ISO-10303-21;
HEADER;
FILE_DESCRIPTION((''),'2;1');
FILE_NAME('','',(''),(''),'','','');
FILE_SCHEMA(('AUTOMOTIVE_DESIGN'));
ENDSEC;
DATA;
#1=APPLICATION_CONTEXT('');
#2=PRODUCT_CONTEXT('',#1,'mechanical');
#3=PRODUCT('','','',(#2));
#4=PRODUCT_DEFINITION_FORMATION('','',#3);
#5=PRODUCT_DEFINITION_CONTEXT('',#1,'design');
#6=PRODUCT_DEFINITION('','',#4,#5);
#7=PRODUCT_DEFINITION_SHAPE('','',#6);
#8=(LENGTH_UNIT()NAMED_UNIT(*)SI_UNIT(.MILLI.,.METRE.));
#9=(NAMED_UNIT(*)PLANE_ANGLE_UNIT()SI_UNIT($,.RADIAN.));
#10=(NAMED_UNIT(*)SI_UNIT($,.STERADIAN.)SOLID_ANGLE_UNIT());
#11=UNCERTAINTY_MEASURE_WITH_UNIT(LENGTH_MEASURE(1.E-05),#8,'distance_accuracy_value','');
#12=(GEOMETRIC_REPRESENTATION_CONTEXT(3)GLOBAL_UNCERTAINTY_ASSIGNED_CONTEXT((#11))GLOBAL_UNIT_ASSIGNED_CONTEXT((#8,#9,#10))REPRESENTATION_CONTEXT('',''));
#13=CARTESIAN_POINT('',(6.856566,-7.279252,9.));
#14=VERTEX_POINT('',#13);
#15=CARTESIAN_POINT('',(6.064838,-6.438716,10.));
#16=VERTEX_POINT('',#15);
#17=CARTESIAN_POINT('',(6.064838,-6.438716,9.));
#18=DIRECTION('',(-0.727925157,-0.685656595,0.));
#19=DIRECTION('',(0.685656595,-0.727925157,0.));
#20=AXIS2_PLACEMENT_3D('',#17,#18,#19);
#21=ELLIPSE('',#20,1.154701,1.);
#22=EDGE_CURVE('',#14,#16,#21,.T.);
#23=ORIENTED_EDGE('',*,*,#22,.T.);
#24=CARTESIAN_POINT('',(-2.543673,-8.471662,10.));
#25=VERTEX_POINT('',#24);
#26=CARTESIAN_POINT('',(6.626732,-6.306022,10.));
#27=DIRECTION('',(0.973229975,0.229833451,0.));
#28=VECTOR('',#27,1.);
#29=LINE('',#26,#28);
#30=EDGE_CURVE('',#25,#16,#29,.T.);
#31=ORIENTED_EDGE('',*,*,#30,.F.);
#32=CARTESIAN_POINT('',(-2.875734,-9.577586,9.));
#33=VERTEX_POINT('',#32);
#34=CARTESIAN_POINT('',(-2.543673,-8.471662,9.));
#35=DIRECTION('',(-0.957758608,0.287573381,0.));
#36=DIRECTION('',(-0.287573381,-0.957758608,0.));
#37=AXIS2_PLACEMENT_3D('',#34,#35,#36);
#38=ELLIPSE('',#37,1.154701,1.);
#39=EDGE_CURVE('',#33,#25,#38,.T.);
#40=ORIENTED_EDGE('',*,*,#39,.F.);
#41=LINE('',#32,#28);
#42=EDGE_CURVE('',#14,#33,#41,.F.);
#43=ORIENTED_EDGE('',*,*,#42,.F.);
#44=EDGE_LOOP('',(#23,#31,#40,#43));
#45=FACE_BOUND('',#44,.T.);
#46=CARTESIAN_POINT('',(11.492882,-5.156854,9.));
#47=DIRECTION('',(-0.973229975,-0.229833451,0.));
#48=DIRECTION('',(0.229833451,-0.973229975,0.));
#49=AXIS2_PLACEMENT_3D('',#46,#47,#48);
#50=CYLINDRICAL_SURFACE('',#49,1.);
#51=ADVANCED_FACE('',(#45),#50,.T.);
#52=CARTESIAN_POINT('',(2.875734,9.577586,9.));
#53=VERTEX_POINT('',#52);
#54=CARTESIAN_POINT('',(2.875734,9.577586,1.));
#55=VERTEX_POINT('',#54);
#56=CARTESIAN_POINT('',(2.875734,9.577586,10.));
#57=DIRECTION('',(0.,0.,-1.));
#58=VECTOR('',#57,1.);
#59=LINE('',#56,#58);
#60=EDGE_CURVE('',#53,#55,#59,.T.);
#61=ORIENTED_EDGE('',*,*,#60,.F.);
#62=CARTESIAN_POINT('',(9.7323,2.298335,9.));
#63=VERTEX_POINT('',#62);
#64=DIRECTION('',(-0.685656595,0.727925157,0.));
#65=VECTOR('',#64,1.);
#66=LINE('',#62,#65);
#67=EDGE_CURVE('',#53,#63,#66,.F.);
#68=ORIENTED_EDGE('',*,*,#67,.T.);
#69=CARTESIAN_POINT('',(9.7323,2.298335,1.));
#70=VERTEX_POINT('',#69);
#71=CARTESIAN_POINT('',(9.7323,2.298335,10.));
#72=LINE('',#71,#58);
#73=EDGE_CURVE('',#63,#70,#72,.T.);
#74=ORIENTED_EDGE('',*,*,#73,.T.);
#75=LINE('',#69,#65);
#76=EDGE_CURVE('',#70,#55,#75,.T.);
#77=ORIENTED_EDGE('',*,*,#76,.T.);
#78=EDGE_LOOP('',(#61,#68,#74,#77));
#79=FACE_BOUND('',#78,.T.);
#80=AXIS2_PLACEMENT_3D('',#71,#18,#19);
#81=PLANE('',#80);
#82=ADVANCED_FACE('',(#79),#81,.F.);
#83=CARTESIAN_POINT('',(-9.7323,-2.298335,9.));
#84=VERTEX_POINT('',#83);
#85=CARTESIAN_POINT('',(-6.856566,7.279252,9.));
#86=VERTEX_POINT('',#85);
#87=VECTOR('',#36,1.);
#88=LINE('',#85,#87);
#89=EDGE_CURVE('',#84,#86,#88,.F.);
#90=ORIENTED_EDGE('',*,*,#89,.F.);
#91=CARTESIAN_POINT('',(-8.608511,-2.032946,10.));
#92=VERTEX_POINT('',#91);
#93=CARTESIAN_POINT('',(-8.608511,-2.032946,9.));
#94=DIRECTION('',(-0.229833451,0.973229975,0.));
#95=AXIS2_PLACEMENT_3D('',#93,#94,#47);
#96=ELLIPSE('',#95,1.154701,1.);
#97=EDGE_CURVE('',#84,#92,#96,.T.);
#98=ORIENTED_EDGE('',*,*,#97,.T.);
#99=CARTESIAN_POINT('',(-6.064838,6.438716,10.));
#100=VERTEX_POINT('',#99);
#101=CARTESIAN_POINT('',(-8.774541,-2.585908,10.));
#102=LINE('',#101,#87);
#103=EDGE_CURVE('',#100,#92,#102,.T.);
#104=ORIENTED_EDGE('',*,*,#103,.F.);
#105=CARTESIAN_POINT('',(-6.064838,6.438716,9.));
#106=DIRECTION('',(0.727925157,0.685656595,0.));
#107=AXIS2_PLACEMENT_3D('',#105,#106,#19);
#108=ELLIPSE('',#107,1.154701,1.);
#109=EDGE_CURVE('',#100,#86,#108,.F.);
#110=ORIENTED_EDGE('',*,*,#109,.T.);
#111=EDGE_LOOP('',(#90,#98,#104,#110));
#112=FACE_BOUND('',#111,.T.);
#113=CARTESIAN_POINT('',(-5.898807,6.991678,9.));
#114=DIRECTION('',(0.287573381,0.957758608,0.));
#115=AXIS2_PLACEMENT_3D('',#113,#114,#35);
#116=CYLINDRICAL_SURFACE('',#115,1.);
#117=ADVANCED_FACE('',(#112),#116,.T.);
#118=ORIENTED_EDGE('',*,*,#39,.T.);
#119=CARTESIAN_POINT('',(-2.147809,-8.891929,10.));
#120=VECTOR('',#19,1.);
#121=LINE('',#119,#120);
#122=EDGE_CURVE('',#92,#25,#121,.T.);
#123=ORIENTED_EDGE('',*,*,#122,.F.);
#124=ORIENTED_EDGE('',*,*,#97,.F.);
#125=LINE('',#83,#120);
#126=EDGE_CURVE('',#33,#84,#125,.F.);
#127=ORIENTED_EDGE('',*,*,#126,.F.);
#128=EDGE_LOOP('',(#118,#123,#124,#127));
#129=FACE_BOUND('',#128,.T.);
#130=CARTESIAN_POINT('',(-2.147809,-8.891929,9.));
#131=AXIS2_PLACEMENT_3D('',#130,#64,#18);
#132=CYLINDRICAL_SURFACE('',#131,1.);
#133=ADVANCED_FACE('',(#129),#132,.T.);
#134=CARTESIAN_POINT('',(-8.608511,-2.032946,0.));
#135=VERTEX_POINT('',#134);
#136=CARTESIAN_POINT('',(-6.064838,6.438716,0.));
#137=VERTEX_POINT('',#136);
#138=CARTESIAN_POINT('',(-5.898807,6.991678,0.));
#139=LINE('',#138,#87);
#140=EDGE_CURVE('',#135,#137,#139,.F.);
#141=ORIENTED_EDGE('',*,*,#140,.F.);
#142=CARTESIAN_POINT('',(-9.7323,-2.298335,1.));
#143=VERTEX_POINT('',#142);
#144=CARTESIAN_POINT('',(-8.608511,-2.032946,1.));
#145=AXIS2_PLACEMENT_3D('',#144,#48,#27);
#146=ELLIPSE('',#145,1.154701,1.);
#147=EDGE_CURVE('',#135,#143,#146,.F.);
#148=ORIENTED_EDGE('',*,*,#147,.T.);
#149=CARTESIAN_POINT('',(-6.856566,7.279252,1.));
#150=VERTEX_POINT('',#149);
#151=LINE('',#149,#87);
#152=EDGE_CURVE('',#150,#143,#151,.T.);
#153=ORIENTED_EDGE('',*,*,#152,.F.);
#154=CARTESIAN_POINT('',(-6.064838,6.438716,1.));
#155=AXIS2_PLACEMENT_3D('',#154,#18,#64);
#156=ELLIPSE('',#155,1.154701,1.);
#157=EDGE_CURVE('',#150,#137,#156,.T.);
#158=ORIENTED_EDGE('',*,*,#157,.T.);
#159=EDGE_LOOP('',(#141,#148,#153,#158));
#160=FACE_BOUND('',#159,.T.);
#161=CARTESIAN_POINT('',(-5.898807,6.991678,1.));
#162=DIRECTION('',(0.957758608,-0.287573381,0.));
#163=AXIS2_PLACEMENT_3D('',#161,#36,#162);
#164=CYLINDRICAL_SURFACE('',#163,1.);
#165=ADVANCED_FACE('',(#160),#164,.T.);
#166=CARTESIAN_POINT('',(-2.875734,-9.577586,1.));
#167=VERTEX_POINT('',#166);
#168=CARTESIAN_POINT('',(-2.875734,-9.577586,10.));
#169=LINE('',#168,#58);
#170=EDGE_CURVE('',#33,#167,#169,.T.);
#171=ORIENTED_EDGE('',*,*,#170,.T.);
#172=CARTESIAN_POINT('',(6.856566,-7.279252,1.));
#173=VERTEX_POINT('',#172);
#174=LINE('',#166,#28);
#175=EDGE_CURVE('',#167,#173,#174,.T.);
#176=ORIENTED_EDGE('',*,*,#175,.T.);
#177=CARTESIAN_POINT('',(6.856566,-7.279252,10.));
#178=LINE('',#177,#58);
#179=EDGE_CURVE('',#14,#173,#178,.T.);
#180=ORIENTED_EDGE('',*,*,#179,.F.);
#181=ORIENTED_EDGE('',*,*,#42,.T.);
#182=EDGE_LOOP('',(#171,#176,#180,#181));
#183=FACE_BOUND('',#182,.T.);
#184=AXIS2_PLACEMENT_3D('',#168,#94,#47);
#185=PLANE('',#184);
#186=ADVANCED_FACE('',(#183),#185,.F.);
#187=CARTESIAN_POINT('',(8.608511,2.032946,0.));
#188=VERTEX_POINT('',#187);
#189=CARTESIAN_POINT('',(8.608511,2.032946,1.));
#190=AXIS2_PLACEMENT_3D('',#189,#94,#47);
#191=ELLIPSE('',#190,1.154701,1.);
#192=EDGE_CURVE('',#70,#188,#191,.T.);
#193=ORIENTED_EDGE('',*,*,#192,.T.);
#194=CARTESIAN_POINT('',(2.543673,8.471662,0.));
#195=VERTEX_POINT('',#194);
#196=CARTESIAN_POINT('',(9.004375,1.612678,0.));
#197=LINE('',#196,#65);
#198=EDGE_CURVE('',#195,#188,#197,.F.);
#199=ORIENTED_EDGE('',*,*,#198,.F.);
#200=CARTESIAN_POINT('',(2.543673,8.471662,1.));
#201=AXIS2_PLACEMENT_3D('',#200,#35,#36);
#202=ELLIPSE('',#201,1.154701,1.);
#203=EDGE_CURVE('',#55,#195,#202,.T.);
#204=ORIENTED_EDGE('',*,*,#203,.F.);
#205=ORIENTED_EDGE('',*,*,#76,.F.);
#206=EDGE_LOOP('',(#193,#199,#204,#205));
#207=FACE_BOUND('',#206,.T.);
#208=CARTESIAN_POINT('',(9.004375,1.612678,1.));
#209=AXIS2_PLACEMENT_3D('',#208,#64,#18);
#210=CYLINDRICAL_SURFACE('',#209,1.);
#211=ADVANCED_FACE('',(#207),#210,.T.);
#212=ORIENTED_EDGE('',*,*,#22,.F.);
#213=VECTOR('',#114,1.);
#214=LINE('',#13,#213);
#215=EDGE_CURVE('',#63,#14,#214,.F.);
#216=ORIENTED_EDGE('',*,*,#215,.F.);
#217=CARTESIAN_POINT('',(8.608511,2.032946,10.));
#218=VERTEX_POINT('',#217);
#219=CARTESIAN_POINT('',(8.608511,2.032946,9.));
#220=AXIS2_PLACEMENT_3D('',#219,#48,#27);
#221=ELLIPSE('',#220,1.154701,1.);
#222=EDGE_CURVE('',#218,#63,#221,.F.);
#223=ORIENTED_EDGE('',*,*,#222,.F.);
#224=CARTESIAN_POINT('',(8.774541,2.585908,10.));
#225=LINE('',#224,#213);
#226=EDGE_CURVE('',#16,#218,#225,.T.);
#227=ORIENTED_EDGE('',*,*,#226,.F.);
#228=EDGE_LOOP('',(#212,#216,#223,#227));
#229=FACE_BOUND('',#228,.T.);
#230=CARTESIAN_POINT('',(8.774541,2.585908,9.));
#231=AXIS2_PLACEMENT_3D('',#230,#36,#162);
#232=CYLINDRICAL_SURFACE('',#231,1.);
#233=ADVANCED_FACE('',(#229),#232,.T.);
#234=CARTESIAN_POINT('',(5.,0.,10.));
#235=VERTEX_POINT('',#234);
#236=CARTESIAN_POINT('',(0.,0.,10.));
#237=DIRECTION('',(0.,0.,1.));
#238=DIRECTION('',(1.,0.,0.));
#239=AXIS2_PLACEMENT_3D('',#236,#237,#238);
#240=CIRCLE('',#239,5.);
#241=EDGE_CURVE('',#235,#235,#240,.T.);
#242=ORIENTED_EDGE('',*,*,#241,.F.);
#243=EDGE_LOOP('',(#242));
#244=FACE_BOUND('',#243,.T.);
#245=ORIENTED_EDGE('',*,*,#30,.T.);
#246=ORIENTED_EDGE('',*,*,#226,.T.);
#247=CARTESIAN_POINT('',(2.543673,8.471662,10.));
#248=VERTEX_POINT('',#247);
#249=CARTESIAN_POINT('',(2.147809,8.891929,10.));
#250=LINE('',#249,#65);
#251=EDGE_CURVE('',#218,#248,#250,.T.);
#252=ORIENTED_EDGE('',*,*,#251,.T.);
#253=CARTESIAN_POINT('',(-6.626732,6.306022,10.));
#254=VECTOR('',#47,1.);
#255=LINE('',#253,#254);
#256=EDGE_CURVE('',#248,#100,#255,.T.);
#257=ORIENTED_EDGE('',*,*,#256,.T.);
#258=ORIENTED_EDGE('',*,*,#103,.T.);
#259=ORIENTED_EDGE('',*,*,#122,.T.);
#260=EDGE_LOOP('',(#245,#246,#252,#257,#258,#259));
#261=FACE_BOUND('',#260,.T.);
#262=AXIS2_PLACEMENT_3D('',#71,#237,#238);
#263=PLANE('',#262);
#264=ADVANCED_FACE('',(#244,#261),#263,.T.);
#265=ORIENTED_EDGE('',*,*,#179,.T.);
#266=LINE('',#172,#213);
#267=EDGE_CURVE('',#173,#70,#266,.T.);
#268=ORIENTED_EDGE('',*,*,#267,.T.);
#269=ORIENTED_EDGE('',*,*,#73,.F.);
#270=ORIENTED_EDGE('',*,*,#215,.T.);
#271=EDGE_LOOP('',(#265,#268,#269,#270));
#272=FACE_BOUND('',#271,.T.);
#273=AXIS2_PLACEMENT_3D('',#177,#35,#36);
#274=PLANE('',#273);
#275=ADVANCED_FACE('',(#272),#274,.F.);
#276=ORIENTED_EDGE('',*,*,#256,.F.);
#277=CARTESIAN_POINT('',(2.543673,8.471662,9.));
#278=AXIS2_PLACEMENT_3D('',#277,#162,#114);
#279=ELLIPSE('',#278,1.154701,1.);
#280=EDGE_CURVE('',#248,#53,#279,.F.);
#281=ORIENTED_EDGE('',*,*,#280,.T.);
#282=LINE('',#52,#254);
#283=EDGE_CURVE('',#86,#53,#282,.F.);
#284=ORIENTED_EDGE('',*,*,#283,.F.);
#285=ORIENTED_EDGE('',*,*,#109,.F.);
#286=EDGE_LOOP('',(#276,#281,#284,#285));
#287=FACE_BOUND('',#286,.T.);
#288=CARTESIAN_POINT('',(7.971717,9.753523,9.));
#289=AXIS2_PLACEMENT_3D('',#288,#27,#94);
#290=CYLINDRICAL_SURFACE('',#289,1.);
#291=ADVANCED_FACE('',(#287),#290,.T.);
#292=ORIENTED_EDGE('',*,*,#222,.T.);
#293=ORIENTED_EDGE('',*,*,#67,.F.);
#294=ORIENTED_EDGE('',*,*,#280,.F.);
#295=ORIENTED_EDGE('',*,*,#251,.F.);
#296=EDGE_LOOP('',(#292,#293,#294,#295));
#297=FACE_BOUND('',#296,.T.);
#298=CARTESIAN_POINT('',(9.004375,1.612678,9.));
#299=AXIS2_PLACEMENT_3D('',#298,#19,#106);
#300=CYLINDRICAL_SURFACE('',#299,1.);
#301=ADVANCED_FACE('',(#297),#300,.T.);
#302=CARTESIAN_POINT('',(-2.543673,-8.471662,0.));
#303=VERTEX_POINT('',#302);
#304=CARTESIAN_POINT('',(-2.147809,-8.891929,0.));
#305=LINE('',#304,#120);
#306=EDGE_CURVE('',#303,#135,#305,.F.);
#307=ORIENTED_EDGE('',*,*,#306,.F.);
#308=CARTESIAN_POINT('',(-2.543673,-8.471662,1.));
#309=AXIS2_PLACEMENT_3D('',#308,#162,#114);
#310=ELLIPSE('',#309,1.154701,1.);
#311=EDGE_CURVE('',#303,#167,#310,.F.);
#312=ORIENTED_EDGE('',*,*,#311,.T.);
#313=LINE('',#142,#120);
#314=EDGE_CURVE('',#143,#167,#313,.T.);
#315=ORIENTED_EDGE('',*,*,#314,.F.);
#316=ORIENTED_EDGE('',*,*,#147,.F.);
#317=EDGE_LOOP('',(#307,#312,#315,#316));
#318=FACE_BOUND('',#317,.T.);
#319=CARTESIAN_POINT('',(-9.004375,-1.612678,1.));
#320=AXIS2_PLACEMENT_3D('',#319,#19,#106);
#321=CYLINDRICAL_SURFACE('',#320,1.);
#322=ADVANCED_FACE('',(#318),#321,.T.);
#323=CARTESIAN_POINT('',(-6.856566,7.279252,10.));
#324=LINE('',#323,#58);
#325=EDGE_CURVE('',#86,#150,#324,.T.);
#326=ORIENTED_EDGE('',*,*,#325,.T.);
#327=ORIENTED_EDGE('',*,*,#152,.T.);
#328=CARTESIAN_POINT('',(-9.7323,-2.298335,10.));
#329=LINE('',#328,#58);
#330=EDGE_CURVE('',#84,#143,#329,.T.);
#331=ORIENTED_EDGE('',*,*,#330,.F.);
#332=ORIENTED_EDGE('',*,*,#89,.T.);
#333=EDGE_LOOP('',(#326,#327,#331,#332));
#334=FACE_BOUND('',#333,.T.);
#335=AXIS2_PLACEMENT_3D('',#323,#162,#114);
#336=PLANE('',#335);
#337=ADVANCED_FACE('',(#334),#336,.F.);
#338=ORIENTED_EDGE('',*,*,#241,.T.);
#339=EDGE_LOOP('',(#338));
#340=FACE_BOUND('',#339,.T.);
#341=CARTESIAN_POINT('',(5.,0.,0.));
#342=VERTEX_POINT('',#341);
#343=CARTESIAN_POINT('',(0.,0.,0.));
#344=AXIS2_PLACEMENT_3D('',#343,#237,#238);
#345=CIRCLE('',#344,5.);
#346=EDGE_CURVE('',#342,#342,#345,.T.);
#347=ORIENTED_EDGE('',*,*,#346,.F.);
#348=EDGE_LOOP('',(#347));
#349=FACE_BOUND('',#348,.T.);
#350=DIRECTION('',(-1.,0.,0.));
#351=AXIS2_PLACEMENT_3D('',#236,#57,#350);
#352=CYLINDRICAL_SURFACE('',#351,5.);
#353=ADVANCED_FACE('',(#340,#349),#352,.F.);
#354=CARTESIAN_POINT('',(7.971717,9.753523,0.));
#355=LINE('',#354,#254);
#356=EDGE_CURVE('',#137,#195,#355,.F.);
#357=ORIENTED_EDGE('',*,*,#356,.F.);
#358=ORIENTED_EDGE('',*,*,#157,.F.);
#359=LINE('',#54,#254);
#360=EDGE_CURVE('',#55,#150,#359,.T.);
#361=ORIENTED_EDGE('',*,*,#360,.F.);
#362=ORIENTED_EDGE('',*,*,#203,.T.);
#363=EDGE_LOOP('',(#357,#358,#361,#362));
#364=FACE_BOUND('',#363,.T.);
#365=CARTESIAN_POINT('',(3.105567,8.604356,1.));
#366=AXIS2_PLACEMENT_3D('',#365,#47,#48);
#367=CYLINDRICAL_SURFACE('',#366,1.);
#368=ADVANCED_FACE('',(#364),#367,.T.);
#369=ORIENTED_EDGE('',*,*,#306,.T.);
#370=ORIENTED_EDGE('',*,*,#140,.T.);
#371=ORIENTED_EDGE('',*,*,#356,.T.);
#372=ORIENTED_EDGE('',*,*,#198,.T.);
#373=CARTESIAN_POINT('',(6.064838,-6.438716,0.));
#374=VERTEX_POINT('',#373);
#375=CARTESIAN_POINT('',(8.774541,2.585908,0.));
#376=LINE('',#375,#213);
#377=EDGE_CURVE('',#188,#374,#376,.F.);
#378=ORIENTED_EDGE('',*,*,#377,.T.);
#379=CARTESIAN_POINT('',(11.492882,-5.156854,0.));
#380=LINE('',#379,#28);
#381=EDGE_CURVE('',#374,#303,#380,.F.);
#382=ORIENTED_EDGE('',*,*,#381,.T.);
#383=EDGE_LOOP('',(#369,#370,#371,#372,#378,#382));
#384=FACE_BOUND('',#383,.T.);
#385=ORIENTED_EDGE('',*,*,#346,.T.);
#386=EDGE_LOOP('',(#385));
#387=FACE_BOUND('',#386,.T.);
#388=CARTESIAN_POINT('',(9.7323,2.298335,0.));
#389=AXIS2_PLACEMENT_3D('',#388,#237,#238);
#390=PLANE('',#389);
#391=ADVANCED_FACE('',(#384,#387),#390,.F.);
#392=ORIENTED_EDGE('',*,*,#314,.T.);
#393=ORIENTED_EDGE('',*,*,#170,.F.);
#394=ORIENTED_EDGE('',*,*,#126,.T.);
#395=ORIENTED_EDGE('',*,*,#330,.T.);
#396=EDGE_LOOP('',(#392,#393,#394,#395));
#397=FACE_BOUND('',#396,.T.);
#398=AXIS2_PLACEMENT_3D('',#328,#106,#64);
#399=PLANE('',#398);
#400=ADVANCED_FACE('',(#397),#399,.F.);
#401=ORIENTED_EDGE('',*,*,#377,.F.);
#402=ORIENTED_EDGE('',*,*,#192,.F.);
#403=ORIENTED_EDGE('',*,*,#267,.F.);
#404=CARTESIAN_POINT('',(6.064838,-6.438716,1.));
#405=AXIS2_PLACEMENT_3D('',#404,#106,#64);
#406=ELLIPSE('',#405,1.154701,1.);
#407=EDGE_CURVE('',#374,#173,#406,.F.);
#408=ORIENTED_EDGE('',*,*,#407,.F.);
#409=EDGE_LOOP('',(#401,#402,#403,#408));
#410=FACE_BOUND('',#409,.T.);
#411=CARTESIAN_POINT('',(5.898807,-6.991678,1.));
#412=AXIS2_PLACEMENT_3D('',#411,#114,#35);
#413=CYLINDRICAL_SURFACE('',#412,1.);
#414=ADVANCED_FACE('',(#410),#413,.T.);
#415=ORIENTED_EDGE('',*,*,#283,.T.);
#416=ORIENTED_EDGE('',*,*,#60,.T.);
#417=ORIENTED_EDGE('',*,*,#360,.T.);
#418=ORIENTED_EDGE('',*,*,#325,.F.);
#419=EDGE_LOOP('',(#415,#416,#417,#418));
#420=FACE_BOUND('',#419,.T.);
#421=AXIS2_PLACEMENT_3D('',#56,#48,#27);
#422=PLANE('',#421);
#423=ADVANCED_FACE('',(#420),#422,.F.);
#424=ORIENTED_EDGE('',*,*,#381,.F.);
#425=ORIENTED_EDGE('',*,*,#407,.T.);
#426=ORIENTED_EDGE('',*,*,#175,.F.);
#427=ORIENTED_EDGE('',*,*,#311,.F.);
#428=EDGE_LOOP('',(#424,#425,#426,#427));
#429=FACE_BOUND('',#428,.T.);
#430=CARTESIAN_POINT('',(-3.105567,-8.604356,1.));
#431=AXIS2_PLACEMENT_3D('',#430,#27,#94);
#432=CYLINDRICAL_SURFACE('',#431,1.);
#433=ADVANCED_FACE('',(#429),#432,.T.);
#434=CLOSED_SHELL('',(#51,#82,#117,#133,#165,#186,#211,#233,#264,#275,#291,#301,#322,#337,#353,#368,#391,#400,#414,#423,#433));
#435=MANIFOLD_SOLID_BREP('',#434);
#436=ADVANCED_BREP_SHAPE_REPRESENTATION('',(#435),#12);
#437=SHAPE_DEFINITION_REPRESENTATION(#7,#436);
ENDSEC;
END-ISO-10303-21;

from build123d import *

# Parameters (mm, degrees)
SKETCH_1_R      = 5
EXTRUDE_1_DEPTH = 10
FILLET_1_R      = 1


with BuildPart() as part:
    # Эскиз1 → Вытянуть1 (new body)
    with BuildSketch(Plane.XY):
        Polygon((9.732299753, 2.298334508), (2.875733806, 9.577586078), (-6.856565947, 7.27925157), (-9.732299753, -2.298334508), (-2.875733806, -9.577586078), (6.856565947, -7.27925157), align=None)
        Circle(SKETCH_1_R, mode=Mode.SUBTRACT)
    extrude(amount=EXTRUDE_1_DEPTH)

    # Скругление1
    fillet_1_edges = [part.edges().sort_by_distance(p)[0] for p in [
        (-1.99041607, 8.428418824, 10),
        (-8.29443285, 2.490458531, 10),
        (-6.30401678, -5.937960293, 10),
        (1.99041607, -8.428418824, 10),
        (8.29443285, -2.490458531, 10),
        (1.99041607, -8.428418824, 0),
        (-6.30401678, -5.937960293, 0),
        (-8.29443285, 2.490458531, 0),
        (6.30401678, 5.937960293, 10),
        (-1.99041607, 8.428418824, 0),
        (6.30401678, 5.937960293, 0),
        (8.29443285, -2.490458531, 0),
    ]]
    fillet(fillet_1_edges, radius=FILLET_1_R)


solid = part.part
